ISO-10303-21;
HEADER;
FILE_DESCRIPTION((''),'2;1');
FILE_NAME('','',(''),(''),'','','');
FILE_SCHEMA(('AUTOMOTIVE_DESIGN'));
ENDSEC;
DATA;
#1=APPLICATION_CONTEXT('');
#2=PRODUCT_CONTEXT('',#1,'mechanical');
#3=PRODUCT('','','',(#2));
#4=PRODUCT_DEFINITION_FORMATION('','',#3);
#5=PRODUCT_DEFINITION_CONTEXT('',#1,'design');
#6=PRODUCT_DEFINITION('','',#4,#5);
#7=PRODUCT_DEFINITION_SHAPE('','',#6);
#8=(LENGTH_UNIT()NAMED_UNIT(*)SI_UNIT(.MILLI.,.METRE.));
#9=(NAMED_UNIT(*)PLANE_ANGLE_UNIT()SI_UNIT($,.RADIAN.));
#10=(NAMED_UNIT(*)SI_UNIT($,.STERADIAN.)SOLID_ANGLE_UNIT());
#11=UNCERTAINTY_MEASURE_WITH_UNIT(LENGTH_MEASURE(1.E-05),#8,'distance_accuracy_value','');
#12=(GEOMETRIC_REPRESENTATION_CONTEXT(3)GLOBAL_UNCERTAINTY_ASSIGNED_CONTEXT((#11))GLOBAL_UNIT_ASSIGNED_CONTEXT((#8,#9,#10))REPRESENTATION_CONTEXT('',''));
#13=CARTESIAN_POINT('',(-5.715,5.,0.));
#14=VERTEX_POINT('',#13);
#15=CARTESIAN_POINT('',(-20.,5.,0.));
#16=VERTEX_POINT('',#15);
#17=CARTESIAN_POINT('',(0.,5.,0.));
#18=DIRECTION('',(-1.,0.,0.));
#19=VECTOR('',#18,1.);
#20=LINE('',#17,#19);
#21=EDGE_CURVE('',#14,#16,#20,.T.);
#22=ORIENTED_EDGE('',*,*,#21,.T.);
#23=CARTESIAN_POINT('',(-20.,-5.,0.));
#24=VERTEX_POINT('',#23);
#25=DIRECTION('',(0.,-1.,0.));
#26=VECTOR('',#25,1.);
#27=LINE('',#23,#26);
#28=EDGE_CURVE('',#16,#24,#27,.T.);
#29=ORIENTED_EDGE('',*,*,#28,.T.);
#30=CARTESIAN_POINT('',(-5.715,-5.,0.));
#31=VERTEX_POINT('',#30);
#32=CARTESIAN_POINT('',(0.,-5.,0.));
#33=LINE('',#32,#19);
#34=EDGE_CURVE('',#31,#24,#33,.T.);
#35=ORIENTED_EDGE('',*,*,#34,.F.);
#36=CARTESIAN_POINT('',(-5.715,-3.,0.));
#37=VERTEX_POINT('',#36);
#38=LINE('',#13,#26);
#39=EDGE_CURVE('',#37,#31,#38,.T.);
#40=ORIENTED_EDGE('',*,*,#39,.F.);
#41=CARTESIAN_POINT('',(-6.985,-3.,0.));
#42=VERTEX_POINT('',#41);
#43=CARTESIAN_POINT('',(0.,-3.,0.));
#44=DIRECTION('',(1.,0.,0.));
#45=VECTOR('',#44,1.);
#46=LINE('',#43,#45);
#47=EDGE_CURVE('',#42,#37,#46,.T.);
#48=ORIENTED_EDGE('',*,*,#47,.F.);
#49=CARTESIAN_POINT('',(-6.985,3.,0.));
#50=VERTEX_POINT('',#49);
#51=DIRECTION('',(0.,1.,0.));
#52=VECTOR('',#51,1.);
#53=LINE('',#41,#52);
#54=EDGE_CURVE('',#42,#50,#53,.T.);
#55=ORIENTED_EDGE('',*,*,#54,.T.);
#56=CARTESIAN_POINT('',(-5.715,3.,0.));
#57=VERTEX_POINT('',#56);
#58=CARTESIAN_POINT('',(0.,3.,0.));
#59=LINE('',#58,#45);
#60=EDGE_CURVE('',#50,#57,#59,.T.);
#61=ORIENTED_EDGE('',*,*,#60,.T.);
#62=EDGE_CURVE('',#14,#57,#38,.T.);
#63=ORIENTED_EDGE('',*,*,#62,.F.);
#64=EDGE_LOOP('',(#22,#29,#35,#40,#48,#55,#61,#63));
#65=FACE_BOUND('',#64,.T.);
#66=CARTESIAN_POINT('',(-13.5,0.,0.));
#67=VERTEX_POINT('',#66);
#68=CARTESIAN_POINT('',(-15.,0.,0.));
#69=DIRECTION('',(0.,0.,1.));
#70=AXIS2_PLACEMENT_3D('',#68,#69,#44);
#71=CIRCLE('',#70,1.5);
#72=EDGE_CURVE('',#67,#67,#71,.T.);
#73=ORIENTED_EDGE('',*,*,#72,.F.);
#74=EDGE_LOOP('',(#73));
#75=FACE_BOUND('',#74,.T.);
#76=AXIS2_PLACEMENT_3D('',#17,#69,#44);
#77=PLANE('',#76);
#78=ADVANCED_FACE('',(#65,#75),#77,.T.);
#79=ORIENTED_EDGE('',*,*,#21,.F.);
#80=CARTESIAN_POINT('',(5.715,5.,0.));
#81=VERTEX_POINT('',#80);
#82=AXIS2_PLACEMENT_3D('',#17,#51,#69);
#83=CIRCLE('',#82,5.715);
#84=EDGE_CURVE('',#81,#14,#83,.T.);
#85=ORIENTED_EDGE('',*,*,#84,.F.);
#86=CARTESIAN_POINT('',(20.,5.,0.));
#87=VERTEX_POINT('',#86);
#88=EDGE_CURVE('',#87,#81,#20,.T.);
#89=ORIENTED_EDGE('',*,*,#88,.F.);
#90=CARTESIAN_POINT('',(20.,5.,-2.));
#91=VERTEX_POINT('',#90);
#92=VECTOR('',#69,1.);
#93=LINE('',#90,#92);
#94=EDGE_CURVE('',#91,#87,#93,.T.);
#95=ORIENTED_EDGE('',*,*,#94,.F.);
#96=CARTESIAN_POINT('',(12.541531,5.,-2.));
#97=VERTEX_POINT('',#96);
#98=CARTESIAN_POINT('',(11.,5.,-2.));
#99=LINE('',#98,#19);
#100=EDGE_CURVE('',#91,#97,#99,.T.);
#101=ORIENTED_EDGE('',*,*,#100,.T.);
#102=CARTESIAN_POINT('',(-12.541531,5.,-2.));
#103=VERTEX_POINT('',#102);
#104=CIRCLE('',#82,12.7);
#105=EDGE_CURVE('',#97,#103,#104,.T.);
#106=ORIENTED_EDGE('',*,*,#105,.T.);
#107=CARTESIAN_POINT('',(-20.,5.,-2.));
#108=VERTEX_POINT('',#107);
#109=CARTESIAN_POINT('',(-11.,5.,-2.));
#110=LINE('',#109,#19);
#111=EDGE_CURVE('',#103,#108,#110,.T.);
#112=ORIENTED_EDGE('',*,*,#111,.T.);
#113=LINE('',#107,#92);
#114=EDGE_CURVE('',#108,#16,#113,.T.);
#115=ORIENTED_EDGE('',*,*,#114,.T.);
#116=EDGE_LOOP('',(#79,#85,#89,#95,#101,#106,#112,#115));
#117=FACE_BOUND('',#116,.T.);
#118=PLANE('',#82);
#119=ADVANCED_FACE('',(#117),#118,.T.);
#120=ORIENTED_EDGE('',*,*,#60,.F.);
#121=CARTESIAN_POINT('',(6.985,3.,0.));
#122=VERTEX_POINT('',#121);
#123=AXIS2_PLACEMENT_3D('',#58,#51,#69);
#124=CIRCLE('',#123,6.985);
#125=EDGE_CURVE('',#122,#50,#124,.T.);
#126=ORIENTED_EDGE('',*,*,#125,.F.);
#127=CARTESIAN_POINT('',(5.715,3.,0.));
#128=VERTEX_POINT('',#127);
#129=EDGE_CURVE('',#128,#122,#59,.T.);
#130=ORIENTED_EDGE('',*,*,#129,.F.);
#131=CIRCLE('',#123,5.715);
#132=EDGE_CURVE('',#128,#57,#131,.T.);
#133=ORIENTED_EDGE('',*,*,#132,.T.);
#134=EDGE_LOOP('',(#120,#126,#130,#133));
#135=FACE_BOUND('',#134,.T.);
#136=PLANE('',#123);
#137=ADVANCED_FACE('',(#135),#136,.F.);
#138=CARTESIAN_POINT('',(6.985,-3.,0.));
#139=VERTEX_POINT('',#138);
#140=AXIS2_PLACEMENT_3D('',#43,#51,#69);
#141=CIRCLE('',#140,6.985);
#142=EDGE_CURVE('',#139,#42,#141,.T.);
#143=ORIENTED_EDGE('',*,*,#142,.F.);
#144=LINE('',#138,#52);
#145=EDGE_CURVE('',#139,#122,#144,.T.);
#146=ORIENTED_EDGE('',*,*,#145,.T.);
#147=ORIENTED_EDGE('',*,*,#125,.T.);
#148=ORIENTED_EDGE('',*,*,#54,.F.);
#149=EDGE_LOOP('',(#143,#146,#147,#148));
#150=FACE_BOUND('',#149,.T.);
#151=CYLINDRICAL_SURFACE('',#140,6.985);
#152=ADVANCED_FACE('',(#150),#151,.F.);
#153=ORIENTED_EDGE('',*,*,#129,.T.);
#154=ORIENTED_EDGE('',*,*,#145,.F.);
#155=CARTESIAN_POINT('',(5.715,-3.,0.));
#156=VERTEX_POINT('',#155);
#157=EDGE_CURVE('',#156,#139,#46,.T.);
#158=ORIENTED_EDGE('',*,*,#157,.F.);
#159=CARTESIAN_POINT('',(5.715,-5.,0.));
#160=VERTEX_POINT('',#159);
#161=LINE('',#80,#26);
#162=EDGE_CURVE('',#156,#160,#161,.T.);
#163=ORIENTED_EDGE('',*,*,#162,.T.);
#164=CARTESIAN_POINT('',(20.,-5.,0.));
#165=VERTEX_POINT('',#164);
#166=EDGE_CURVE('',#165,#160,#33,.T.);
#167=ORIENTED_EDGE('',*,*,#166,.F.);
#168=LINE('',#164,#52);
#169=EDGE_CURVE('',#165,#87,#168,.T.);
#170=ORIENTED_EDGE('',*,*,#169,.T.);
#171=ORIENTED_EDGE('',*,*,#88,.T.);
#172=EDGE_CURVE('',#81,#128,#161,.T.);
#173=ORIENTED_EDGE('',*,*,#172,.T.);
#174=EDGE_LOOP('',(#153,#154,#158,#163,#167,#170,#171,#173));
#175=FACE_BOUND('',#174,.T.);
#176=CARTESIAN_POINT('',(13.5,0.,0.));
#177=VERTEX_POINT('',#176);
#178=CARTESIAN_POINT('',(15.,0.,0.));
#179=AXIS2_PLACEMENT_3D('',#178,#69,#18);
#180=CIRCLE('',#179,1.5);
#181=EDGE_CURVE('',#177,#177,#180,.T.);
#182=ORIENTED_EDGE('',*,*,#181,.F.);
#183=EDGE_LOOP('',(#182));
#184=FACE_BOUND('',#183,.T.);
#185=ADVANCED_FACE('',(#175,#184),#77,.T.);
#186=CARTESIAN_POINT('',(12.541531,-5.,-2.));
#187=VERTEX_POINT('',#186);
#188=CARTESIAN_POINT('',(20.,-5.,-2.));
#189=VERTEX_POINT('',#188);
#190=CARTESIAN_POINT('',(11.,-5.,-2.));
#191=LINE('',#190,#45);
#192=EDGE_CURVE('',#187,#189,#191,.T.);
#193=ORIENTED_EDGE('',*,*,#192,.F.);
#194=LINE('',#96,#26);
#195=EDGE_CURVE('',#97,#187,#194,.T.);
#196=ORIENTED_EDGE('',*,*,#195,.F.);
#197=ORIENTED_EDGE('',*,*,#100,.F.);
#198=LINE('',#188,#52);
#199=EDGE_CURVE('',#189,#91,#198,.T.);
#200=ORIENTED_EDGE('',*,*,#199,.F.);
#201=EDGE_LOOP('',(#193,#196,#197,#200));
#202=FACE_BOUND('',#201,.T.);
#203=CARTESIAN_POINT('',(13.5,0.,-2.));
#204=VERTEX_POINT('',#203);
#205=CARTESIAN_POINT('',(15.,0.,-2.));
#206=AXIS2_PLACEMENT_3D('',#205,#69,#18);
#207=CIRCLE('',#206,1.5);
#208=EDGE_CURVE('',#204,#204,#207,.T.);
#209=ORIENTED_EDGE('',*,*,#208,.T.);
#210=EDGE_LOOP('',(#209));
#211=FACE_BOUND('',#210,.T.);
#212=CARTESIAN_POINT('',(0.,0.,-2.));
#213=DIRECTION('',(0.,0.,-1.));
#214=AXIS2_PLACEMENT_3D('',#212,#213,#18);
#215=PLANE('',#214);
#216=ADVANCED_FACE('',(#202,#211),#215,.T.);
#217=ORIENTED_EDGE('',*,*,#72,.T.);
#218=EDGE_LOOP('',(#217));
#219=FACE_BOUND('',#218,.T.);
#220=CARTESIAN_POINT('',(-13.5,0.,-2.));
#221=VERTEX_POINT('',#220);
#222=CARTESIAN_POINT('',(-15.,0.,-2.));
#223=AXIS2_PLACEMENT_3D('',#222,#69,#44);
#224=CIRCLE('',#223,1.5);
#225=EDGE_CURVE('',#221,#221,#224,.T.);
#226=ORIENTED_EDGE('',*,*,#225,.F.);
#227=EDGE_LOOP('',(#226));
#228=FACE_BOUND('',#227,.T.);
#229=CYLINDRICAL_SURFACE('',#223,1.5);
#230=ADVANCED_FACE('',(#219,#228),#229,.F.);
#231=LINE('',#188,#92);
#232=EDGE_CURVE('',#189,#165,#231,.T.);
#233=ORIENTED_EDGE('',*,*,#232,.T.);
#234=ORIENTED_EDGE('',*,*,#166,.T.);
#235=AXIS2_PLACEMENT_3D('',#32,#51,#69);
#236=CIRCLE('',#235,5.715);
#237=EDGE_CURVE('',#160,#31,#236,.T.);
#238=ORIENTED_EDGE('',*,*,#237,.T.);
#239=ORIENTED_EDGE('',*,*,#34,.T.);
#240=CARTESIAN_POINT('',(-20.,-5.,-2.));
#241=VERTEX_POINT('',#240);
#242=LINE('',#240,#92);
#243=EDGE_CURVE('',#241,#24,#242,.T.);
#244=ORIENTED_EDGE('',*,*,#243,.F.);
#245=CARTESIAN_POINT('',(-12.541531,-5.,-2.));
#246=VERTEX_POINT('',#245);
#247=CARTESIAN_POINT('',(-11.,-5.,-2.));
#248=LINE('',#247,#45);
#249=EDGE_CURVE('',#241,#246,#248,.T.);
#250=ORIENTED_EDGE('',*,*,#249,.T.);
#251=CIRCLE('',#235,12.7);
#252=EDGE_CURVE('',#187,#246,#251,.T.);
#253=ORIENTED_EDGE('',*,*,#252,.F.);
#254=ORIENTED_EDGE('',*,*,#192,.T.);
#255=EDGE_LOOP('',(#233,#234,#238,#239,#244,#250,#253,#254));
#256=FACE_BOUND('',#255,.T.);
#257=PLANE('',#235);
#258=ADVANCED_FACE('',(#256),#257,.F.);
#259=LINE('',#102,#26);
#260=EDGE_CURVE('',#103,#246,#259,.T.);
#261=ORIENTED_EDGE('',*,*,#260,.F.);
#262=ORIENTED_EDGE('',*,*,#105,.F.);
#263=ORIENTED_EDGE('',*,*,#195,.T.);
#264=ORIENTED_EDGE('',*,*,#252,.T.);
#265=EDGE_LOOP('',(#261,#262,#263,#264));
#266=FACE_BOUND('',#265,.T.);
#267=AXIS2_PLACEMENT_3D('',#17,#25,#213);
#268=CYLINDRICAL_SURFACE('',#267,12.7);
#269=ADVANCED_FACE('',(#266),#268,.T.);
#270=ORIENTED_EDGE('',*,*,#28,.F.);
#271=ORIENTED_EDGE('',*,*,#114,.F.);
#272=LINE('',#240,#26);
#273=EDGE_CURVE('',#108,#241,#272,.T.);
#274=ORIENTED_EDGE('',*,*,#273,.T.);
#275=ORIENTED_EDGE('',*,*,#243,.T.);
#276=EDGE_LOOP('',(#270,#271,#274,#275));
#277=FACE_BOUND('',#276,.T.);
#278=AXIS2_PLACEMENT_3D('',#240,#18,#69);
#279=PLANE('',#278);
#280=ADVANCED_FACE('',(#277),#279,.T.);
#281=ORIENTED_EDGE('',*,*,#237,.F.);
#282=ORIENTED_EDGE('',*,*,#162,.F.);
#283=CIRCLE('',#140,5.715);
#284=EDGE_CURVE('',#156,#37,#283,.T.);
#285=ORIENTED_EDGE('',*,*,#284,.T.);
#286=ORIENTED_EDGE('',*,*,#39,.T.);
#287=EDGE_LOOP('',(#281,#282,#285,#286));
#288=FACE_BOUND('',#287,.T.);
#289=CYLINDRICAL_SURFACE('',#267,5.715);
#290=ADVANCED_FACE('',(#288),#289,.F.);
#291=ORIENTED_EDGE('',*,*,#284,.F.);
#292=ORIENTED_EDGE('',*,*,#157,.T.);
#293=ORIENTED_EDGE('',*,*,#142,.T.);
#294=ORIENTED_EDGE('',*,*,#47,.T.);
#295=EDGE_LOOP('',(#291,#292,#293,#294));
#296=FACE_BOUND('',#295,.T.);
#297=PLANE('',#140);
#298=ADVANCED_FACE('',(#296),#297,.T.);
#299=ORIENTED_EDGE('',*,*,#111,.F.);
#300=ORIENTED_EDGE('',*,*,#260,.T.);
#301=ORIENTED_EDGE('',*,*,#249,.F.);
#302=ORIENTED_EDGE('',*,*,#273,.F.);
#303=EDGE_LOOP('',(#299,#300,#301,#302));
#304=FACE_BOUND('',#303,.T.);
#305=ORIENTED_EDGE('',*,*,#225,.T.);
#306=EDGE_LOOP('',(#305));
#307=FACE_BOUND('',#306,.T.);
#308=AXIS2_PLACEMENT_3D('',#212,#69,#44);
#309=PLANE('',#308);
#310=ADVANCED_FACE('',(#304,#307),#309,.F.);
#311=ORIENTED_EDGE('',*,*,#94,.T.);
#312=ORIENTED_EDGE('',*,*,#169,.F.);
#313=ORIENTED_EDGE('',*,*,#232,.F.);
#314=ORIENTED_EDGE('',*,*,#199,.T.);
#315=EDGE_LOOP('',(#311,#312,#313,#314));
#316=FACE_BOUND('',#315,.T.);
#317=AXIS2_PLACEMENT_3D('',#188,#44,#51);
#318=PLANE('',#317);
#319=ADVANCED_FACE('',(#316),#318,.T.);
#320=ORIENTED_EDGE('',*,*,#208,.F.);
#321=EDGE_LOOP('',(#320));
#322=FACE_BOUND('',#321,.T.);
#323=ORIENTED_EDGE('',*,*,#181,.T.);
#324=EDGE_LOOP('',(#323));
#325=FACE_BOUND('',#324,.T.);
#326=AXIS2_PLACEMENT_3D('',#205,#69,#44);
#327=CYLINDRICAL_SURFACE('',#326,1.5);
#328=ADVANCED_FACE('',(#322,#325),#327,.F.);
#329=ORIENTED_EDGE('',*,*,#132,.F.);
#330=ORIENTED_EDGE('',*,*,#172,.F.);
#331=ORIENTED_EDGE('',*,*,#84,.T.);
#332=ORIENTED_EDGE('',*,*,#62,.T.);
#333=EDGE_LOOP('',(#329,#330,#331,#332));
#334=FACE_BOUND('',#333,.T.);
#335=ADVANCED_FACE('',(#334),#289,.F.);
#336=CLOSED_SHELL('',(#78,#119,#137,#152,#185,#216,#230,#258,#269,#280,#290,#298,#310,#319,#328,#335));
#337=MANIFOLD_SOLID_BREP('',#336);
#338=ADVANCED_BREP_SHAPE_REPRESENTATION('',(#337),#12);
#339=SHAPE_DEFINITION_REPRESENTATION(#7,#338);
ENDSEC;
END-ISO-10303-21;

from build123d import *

# Parameters (mm, degrees)
BOSS_EXTRUDE1_DEPTH = 5
CUT_EXTRUDE1_DEPTH  = 3
SKETCH3_W           = 9
SKETCH3_H           = 10
SKETCH3_R           = 1.5
BOSS_EXTRUDE2_DEPTH = 2


with BuildPart() as part:
    # Sketch1 → Boss-Extrude1 (new body, symmetric)
    with BuildSketch(Plane(origin=(0, 0, 0), x_dir=(1, 0, 0), z_dir=(0, 1, 0))):
        with BuildLine():
            Line((5.715, 0), (12.7, 0))
            ThreePointArc((12.7, 0), (0, 12.7), (-12.7, 0))
            Line((-12.7, 0), (-5.715, 0))
            ThreePointArc((-5.715, 0), (0, 5.715), (5.715, 0))
        make_face()
    extrude(amount=BOSS_EXTRUDE1_DEPTH, both=True)

    # Sketch2 → Cut-Extrude1 (cut, symmetric)
    with BuildSketch(Plane(origin=(0, 0, 0), x_dir=(1, 0, 0), z_dir=(0, 1, 0))):
        with BuildLine():
            ThreePointArc((6.985, 0), (0, 6.985), (-6.985, 0))
            Line((-6.985, 0), (6.985, 0))
        make_face()
        with BuildLine():
            Line((6.985, 0), (-6.985, 0))
            ThreePointArc((-6.985, 0), (0, -6.985), (6.985, 0))
        make_face()
    extrude(amount=CUT_EXTRUDE1_DEPTH, both=True, mode=Mode.SUBTRACT)

    # Sketch3 → Boss-Extrude2 (add)
    with BuildSketch(Plane.XY):
        with Locations((15.5, 0)):
            Rectangle(SKETCH3_W, SKETCH3_H)
        with Locations((15, 0)):
            Circle(SKETCH3_R, mode=Mode.SUBTRACT)
        with Locations((-15.5, 0)):
            Rectangle(SKETCH3_W, SKETCH3_H)
        with Locations((-15, 0)):
            Circle(SKETCH3_R, mode=Mode.SUBTRACT)
    extrude(amount=-BOSS_EXTRUDE2_DEPTH)


solid = part.part
